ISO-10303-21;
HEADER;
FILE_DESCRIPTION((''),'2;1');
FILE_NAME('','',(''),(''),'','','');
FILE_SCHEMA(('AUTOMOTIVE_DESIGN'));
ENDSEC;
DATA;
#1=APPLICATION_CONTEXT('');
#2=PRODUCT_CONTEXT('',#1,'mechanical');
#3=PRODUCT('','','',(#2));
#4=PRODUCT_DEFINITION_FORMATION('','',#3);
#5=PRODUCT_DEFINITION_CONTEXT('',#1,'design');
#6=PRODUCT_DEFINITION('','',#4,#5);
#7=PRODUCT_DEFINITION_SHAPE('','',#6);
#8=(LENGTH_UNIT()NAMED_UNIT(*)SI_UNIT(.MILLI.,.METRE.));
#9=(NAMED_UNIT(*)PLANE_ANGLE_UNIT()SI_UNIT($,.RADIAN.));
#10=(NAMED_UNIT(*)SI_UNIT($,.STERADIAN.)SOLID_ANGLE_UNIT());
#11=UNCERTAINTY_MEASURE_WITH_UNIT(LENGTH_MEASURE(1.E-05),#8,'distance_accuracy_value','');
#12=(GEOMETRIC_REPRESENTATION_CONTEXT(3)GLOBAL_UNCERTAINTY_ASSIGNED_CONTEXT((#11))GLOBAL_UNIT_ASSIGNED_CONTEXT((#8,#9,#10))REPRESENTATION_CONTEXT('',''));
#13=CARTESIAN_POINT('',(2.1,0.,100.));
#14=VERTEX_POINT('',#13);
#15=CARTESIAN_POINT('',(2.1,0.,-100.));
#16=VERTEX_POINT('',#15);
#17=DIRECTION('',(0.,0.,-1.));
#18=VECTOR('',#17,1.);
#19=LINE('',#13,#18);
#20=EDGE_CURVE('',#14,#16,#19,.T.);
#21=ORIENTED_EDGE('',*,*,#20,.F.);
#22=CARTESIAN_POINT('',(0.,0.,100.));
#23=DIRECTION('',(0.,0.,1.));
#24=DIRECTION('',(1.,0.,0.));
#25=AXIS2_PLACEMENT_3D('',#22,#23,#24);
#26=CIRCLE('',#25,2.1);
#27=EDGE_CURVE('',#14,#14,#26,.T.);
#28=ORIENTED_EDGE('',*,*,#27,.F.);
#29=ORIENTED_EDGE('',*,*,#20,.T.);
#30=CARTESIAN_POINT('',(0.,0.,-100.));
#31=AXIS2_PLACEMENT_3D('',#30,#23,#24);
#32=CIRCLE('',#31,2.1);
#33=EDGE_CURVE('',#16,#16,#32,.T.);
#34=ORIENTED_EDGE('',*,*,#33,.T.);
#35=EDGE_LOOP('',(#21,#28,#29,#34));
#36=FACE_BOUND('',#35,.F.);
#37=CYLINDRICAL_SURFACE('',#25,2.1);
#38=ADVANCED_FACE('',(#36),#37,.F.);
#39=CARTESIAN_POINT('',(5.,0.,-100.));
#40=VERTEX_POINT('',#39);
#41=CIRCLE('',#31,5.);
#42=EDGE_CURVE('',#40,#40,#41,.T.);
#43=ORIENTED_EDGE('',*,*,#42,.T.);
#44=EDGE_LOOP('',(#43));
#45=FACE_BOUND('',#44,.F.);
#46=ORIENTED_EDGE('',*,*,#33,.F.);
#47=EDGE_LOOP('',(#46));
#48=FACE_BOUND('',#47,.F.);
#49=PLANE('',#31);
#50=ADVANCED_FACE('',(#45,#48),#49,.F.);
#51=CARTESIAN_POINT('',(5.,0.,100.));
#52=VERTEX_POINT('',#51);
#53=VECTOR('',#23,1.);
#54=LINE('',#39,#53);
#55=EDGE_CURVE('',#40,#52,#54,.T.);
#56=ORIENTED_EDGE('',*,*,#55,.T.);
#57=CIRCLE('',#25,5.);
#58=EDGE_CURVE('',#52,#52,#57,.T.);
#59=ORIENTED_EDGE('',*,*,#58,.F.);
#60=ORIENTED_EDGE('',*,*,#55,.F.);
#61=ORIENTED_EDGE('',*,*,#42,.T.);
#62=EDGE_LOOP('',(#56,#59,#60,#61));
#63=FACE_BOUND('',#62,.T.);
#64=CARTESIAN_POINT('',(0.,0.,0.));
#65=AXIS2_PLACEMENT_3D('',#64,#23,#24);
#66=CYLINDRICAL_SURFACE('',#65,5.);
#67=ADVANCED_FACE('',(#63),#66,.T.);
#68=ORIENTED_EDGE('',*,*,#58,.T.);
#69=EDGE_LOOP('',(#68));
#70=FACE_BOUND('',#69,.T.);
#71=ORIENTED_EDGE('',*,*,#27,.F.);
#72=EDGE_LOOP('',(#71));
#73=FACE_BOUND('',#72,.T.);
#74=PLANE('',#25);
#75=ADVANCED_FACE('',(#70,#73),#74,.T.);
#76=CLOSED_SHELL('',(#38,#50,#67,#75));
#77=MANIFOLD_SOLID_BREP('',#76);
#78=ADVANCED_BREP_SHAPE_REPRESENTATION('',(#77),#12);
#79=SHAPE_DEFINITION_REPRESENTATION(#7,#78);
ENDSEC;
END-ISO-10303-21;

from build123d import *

# Parameters (mm, degrees)
SKETCH_R    = 5
PAD_DEPTH   = 100
SKETCH001_R = 2.1
HOLE_DEPTH  = 600.999753


with BuildPart() as part:
    # Sketch → Pad (new body, symmetric)
    with BuildSketch(Plane.XY):
        Circle(SKETCH_R)
    extrude(amount=PAD_DEPTH, both=True)

    # Sketch001 (on Face3 of Pad) → Hole (cut, through all)
    with BuildSketch(Plane.XY.offset(100)):
        Circle(SKETCH001_R)
    hole = extrude(amount=-HOLE_DEPTH, mode=Mode.SUBTRACT)

    # Mirrored: Hole across XY
    add(hole.mirror(Plane.XY), mode=Mode.SUBTRACT)


solid = part.part
